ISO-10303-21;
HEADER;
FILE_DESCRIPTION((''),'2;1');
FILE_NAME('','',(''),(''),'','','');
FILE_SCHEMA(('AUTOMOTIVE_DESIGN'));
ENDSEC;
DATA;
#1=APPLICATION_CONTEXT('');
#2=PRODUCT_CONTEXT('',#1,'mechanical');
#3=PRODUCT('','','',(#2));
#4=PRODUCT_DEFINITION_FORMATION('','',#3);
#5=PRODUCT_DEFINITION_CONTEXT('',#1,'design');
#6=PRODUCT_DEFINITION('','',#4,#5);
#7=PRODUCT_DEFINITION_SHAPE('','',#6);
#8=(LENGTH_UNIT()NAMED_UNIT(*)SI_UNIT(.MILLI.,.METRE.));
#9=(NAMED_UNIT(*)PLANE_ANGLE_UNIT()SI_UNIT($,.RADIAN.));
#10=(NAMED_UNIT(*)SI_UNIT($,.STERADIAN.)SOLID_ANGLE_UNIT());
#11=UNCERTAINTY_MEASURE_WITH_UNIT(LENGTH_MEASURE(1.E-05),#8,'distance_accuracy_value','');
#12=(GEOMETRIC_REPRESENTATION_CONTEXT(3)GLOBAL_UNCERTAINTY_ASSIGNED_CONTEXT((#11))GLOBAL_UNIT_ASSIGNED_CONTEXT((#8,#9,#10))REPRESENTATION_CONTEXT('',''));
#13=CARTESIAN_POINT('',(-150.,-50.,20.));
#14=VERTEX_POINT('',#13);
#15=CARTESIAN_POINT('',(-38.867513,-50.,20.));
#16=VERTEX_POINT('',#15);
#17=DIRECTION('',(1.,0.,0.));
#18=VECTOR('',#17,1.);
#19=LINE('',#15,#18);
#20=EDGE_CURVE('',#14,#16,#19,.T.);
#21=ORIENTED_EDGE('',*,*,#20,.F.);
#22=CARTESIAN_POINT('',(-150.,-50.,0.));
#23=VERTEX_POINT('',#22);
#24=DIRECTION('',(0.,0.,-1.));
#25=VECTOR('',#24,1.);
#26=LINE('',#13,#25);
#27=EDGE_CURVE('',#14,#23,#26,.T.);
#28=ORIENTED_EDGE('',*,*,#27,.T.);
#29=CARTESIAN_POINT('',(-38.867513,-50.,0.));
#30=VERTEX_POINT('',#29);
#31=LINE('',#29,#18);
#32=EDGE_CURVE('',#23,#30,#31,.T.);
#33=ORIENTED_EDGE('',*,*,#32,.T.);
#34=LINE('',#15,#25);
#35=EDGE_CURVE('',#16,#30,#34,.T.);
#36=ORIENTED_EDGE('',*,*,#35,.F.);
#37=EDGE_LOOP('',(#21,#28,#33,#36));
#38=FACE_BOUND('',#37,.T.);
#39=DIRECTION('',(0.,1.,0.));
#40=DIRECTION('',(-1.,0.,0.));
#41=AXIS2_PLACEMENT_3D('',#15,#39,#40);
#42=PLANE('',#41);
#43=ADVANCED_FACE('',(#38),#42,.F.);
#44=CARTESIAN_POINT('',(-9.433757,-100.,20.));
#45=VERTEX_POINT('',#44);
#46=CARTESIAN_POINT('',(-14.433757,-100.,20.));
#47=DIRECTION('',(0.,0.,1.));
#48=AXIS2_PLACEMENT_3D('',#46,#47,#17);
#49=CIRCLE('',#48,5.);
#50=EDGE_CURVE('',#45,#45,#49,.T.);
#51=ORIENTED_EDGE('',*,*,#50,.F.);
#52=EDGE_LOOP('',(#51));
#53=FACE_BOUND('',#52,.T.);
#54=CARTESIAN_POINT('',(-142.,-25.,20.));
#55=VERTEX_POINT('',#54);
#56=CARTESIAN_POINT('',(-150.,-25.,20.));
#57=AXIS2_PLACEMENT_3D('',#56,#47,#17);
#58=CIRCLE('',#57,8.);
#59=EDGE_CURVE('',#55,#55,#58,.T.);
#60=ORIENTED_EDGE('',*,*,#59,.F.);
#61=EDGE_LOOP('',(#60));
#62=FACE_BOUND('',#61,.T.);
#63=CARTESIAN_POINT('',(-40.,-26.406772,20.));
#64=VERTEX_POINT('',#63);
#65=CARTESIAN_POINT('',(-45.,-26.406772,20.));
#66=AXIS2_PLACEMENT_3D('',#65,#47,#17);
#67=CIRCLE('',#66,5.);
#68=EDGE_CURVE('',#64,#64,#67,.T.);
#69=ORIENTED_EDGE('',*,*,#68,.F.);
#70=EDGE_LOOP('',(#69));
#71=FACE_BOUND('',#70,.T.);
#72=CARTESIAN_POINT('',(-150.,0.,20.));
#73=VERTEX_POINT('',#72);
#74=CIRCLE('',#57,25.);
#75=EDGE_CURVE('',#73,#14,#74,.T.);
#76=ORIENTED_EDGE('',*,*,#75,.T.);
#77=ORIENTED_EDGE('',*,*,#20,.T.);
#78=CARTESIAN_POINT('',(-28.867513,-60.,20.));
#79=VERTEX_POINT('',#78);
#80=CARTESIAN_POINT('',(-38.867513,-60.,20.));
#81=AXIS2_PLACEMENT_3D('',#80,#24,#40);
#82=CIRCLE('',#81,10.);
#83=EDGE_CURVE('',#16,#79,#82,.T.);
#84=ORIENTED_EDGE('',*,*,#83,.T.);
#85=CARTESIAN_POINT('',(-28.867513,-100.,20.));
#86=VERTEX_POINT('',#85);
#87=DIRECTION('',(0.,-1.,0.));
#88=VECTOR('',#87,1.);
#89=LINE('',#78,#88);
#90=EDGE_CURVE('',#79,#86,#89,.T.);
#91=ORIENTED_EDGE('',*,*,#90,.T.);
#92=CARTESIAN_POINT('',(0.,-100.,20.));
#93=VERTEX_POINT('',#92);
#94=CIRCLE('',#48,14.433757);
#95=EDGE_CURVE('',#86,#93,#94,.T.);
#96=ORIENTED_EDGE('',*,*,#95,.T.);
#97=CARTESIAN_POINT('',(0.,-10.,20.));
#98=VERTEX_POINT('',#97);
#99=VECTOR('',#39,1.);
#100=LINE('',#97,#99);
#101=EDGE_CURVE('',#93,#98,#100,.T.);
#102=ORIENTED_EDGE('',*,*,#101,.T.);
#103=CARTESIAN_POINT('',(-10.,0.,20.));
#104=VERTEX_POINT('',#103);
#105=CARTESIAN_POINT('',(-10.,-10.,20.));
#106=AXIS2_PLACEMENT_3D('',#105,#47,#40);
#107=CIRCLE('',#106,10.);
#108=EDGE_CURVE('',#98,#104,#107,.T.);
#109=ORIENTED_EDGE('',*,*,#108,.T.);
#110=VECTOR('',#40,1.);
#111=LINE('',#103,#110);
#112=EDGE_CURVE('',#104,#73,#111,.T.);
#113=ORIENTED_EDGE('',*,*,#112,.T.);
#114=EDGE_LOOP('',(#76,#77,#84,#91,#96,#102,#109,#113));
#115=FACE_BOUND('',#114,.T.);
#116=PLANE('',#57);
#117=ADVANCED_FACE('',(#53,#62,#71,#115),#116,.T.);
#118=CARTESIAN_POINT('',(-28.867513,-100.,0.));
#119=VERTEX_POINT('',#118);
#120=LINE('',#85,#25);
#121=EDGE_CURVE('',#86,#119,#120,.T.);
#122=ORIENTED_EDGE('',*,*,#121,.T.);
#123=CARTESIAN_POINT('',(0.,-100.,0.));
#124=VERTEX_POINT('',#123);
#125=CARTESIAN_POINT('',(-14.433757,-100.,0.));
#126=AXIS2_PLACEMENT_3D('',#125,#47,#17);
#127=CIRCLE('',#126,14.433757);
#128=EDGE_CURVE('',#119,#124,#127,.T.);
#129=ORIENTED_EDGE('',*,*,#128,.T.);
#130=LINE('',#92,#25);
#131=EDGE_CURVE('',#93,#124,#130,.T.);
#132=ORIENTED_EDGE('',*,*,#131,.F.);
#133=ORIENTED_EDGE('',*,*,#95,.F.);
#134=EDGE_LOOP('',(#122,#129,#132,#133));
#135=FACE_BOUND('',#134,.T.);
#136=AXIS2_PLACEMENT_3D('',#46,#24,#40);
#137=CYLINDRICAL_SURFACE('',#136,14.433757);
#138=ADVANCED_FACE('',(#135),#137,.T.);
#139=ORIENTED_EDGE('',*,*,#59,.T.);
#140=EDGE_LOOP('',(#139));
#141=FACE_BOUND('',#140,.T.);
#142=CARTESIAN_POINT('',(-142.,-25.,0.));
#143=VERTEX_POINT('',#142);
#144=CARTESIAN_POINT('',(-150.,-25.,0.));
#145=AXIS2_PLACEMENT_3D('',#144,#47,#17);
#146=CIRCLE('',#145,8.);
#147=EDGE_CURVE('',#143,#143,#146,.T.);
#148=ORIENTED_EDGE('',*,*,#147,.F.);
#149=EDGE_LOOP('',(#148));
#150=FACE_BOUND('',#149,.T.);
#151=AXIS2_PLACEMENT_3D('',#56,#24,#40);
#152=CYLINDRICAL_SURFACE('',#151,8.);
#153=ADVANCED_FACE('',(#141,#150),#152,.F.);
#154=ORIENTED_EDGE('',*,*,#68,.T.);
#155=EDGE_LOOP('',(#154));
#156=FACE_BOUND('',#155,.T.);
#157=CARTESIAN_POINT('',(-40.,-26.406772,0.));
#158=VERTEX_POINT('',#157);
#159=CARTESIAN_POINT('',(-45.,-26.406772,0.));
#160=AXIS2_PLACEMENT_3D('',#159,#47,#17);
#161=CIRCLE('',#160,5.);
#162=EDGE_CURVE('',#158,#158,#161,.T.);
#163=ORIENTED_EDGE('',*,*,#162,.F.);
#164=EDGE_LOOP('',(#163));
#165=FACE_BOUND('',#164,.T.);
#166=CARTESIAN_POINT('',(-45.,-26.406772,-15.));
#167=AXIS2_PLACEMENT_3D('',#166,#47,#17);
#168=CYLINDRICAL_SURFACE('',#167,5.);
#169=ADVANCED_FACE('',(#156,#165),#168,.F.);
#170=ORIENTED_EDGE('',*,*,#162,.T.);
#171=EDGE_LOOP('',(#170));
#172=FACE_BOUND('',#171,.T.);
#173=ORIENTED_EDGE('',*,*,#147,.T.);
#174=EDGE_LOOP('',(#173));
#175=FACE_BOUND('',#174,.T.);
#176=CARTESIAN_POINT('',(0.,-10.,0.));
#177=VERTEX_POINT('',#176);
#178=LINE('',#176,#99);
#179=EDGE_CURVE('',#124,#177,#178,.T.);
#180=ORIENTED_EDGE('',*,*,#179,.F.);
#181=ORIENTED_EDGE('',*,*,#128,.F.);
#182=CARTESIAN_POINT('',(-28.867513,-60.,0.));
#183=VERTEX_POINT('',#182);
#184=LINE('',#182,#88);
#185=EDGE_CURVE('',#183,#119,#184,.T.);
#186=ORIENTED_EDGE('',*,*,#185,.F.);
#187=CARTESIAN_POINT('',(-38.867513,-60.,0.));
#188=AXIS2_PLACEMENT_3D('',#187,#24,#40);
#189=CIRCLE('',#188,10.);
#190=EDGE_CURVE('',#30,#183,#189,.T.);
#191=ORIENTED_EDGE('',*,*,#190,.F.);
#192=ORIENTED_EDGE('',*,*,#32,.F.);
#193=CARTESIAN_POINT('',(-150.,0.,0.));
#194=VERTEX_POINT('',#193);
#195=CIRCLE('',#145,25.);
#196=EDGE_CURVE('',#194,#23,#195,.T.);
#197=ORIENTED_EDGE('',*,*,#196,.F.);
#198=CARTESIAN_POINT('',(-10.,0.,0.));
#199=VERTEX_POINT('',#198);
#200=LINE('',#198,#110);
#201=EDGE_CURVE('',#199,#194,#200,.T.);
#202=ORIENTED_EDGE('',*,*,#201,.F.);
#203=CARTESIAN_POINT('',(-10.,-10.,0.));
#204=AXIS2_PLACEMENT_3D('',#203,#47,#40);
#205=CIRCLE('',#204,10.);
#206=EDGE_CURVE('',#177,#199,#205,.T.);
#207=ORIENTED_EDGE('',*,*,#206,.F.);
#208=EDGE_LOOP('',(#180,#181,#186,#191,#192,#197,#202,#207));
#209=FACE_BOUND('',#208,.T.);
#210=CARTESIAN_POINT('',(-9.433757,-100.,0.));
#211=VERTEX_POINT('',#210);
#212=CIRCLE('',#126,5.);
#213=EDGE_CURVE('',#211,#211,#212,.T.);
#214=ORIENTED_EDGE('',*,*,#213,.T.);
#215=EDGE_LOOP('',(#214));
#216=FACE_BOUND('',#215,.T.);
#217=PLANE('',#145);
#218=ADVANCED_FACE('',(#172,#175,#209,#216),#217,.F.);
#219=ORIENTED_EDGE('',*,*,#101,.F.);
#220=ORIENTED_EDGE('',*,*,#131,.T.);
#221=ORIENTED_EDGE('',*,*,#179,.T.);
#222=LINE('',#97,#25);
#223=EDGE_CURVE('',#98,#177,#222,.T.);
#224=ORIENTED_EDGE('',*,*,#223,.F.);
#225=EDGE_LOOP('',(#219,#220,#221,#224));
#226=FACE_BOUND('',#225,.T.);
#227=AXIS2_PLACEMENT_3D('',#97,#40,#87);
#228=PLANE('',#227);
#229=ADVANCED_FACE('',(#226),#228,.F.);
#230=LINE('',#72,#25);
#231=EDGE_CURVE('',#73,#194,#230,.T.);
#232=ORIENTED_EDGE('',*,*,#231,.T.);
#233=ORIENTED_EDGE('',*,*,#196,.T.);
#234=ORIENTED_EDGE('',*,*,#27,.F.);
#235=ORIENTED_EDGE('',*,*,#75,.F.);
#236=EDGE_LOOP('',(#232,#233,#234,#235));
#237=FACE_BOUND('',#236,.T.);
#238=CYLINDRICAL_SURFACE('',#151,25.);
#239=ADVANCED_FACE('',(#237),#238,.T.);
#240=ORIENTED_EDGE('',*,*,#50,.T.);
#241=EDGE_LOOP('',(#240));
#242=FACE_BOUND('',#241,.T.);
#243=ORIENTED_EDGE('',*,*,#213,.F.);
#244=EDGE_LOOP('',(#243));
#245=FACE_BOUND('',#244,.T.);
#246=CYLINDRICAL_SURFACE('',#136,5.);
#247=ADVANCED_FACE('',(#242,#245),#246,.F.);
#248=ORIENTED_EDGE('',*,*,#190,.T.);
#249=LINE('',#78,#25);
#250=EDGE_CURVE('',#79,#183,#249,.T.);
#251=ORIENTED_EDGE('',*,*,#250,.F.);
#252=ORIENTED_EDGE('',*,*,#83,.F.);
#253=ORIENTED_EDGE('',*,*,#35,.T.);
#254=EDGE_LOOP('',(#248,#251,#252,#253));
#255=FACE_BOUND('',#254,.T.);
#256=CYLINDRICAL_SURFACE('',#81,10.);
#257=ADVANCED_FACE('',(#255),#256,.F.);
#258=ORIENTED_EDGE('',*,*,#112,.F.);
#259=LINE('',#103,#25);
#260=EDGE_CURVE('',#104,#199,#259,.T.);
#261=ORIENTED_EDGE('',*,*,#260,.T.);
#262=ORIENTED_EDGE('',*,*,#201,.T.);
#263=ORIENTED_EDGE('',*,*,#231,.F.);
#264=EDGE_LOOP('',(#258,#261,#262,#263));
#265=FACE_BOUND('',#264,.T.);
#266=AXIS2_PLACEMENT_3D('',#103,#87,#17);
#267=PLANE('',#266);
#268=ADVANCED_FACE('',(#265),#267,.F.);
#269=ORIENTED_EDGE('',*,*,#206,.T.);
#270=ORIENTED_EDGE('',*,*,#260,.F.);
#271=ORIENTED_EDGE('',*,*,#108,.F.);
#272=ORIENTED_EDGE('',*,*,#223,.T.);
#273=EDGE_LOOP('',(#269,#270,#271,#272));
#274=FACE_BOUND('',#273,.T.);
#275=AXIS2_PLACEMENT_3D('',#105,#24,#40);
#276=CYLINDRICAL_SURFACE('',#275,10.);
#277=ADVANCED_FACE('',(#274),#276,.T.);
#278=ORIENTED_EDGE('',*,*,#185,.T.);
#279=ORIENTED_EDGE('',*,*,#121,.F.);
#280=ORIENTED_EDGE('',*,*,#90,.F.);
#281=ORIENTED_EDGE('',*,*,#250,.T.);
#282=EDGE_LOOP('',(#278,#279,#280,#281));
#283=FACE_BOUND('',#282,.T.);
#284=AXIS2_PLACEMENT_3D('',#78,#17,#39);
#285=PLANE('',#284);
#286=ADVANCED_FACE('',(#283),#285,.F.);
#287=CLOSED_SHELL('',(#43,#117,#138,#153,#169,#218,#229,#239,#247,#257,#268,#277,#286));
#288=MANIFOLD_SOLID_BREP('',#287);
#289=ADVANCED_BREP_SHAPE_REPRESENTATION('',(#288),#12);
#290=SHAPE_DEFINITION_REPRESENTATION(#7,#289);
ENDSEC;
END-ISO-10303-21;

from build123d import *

# Parameters (mm, degrees)
SKETCH1_R           = 8
SKETCH1_R_2         = 5
BOSS_EXTRUDE1_DEPTH = 20
SKETCH2_R           = 5
CUT_EXTRUDE1_DEPTH  = 35


with BuildPart() as part:
    # Sketch1 → Boss-Extrude1 (new body)
    with BuildSketch(Plane.XY):
        with BuildLine():
            Line((-10, 0), (-150, 0))
            ThreePointArc((-150, 0), (-175, -25), (-150, -50))
            Line((-150, -50), (-38.867513459, -50))
            ThreePointArc((-38.867513459, -50), (-31.796445648, -52.928932188), (-28.867513459, -60))
            Line((-28.867513459, -60), (-28.867513459, -100))
            ThreePointArc((-28.867513459, -100), (-14.43375673, -114.43375673), (0, -100))
            Line((0, -100), (0, -10))
            ThreePointArc((0, -10), (-2.928932188, -2.928932188), (-10, 0))
        make_face()
        with Locations((-150, -25)):
            Circle(SKETCH1_R, mode=Mode.SUBTRACT)
        with Locations((-14.43375673, -100)):
            Circle(SKETCH1_R_2, mode=Mode.SUBTRACT)
    extrude(amount=BOSS_EXTRUDE1_DEPTH)

    # Sketch2 → Cut-Extrude1 (cut)
    with BuildSketch(Plane.XY.offset(20)):
        with Locations((-45, -26.406771576)):
            Circle(SKETCH2_R)
    extrude(amount=-CUT_EXTRUDE1_DEPTH, mode=Mode.SUBTRACT)


solid = part.part
